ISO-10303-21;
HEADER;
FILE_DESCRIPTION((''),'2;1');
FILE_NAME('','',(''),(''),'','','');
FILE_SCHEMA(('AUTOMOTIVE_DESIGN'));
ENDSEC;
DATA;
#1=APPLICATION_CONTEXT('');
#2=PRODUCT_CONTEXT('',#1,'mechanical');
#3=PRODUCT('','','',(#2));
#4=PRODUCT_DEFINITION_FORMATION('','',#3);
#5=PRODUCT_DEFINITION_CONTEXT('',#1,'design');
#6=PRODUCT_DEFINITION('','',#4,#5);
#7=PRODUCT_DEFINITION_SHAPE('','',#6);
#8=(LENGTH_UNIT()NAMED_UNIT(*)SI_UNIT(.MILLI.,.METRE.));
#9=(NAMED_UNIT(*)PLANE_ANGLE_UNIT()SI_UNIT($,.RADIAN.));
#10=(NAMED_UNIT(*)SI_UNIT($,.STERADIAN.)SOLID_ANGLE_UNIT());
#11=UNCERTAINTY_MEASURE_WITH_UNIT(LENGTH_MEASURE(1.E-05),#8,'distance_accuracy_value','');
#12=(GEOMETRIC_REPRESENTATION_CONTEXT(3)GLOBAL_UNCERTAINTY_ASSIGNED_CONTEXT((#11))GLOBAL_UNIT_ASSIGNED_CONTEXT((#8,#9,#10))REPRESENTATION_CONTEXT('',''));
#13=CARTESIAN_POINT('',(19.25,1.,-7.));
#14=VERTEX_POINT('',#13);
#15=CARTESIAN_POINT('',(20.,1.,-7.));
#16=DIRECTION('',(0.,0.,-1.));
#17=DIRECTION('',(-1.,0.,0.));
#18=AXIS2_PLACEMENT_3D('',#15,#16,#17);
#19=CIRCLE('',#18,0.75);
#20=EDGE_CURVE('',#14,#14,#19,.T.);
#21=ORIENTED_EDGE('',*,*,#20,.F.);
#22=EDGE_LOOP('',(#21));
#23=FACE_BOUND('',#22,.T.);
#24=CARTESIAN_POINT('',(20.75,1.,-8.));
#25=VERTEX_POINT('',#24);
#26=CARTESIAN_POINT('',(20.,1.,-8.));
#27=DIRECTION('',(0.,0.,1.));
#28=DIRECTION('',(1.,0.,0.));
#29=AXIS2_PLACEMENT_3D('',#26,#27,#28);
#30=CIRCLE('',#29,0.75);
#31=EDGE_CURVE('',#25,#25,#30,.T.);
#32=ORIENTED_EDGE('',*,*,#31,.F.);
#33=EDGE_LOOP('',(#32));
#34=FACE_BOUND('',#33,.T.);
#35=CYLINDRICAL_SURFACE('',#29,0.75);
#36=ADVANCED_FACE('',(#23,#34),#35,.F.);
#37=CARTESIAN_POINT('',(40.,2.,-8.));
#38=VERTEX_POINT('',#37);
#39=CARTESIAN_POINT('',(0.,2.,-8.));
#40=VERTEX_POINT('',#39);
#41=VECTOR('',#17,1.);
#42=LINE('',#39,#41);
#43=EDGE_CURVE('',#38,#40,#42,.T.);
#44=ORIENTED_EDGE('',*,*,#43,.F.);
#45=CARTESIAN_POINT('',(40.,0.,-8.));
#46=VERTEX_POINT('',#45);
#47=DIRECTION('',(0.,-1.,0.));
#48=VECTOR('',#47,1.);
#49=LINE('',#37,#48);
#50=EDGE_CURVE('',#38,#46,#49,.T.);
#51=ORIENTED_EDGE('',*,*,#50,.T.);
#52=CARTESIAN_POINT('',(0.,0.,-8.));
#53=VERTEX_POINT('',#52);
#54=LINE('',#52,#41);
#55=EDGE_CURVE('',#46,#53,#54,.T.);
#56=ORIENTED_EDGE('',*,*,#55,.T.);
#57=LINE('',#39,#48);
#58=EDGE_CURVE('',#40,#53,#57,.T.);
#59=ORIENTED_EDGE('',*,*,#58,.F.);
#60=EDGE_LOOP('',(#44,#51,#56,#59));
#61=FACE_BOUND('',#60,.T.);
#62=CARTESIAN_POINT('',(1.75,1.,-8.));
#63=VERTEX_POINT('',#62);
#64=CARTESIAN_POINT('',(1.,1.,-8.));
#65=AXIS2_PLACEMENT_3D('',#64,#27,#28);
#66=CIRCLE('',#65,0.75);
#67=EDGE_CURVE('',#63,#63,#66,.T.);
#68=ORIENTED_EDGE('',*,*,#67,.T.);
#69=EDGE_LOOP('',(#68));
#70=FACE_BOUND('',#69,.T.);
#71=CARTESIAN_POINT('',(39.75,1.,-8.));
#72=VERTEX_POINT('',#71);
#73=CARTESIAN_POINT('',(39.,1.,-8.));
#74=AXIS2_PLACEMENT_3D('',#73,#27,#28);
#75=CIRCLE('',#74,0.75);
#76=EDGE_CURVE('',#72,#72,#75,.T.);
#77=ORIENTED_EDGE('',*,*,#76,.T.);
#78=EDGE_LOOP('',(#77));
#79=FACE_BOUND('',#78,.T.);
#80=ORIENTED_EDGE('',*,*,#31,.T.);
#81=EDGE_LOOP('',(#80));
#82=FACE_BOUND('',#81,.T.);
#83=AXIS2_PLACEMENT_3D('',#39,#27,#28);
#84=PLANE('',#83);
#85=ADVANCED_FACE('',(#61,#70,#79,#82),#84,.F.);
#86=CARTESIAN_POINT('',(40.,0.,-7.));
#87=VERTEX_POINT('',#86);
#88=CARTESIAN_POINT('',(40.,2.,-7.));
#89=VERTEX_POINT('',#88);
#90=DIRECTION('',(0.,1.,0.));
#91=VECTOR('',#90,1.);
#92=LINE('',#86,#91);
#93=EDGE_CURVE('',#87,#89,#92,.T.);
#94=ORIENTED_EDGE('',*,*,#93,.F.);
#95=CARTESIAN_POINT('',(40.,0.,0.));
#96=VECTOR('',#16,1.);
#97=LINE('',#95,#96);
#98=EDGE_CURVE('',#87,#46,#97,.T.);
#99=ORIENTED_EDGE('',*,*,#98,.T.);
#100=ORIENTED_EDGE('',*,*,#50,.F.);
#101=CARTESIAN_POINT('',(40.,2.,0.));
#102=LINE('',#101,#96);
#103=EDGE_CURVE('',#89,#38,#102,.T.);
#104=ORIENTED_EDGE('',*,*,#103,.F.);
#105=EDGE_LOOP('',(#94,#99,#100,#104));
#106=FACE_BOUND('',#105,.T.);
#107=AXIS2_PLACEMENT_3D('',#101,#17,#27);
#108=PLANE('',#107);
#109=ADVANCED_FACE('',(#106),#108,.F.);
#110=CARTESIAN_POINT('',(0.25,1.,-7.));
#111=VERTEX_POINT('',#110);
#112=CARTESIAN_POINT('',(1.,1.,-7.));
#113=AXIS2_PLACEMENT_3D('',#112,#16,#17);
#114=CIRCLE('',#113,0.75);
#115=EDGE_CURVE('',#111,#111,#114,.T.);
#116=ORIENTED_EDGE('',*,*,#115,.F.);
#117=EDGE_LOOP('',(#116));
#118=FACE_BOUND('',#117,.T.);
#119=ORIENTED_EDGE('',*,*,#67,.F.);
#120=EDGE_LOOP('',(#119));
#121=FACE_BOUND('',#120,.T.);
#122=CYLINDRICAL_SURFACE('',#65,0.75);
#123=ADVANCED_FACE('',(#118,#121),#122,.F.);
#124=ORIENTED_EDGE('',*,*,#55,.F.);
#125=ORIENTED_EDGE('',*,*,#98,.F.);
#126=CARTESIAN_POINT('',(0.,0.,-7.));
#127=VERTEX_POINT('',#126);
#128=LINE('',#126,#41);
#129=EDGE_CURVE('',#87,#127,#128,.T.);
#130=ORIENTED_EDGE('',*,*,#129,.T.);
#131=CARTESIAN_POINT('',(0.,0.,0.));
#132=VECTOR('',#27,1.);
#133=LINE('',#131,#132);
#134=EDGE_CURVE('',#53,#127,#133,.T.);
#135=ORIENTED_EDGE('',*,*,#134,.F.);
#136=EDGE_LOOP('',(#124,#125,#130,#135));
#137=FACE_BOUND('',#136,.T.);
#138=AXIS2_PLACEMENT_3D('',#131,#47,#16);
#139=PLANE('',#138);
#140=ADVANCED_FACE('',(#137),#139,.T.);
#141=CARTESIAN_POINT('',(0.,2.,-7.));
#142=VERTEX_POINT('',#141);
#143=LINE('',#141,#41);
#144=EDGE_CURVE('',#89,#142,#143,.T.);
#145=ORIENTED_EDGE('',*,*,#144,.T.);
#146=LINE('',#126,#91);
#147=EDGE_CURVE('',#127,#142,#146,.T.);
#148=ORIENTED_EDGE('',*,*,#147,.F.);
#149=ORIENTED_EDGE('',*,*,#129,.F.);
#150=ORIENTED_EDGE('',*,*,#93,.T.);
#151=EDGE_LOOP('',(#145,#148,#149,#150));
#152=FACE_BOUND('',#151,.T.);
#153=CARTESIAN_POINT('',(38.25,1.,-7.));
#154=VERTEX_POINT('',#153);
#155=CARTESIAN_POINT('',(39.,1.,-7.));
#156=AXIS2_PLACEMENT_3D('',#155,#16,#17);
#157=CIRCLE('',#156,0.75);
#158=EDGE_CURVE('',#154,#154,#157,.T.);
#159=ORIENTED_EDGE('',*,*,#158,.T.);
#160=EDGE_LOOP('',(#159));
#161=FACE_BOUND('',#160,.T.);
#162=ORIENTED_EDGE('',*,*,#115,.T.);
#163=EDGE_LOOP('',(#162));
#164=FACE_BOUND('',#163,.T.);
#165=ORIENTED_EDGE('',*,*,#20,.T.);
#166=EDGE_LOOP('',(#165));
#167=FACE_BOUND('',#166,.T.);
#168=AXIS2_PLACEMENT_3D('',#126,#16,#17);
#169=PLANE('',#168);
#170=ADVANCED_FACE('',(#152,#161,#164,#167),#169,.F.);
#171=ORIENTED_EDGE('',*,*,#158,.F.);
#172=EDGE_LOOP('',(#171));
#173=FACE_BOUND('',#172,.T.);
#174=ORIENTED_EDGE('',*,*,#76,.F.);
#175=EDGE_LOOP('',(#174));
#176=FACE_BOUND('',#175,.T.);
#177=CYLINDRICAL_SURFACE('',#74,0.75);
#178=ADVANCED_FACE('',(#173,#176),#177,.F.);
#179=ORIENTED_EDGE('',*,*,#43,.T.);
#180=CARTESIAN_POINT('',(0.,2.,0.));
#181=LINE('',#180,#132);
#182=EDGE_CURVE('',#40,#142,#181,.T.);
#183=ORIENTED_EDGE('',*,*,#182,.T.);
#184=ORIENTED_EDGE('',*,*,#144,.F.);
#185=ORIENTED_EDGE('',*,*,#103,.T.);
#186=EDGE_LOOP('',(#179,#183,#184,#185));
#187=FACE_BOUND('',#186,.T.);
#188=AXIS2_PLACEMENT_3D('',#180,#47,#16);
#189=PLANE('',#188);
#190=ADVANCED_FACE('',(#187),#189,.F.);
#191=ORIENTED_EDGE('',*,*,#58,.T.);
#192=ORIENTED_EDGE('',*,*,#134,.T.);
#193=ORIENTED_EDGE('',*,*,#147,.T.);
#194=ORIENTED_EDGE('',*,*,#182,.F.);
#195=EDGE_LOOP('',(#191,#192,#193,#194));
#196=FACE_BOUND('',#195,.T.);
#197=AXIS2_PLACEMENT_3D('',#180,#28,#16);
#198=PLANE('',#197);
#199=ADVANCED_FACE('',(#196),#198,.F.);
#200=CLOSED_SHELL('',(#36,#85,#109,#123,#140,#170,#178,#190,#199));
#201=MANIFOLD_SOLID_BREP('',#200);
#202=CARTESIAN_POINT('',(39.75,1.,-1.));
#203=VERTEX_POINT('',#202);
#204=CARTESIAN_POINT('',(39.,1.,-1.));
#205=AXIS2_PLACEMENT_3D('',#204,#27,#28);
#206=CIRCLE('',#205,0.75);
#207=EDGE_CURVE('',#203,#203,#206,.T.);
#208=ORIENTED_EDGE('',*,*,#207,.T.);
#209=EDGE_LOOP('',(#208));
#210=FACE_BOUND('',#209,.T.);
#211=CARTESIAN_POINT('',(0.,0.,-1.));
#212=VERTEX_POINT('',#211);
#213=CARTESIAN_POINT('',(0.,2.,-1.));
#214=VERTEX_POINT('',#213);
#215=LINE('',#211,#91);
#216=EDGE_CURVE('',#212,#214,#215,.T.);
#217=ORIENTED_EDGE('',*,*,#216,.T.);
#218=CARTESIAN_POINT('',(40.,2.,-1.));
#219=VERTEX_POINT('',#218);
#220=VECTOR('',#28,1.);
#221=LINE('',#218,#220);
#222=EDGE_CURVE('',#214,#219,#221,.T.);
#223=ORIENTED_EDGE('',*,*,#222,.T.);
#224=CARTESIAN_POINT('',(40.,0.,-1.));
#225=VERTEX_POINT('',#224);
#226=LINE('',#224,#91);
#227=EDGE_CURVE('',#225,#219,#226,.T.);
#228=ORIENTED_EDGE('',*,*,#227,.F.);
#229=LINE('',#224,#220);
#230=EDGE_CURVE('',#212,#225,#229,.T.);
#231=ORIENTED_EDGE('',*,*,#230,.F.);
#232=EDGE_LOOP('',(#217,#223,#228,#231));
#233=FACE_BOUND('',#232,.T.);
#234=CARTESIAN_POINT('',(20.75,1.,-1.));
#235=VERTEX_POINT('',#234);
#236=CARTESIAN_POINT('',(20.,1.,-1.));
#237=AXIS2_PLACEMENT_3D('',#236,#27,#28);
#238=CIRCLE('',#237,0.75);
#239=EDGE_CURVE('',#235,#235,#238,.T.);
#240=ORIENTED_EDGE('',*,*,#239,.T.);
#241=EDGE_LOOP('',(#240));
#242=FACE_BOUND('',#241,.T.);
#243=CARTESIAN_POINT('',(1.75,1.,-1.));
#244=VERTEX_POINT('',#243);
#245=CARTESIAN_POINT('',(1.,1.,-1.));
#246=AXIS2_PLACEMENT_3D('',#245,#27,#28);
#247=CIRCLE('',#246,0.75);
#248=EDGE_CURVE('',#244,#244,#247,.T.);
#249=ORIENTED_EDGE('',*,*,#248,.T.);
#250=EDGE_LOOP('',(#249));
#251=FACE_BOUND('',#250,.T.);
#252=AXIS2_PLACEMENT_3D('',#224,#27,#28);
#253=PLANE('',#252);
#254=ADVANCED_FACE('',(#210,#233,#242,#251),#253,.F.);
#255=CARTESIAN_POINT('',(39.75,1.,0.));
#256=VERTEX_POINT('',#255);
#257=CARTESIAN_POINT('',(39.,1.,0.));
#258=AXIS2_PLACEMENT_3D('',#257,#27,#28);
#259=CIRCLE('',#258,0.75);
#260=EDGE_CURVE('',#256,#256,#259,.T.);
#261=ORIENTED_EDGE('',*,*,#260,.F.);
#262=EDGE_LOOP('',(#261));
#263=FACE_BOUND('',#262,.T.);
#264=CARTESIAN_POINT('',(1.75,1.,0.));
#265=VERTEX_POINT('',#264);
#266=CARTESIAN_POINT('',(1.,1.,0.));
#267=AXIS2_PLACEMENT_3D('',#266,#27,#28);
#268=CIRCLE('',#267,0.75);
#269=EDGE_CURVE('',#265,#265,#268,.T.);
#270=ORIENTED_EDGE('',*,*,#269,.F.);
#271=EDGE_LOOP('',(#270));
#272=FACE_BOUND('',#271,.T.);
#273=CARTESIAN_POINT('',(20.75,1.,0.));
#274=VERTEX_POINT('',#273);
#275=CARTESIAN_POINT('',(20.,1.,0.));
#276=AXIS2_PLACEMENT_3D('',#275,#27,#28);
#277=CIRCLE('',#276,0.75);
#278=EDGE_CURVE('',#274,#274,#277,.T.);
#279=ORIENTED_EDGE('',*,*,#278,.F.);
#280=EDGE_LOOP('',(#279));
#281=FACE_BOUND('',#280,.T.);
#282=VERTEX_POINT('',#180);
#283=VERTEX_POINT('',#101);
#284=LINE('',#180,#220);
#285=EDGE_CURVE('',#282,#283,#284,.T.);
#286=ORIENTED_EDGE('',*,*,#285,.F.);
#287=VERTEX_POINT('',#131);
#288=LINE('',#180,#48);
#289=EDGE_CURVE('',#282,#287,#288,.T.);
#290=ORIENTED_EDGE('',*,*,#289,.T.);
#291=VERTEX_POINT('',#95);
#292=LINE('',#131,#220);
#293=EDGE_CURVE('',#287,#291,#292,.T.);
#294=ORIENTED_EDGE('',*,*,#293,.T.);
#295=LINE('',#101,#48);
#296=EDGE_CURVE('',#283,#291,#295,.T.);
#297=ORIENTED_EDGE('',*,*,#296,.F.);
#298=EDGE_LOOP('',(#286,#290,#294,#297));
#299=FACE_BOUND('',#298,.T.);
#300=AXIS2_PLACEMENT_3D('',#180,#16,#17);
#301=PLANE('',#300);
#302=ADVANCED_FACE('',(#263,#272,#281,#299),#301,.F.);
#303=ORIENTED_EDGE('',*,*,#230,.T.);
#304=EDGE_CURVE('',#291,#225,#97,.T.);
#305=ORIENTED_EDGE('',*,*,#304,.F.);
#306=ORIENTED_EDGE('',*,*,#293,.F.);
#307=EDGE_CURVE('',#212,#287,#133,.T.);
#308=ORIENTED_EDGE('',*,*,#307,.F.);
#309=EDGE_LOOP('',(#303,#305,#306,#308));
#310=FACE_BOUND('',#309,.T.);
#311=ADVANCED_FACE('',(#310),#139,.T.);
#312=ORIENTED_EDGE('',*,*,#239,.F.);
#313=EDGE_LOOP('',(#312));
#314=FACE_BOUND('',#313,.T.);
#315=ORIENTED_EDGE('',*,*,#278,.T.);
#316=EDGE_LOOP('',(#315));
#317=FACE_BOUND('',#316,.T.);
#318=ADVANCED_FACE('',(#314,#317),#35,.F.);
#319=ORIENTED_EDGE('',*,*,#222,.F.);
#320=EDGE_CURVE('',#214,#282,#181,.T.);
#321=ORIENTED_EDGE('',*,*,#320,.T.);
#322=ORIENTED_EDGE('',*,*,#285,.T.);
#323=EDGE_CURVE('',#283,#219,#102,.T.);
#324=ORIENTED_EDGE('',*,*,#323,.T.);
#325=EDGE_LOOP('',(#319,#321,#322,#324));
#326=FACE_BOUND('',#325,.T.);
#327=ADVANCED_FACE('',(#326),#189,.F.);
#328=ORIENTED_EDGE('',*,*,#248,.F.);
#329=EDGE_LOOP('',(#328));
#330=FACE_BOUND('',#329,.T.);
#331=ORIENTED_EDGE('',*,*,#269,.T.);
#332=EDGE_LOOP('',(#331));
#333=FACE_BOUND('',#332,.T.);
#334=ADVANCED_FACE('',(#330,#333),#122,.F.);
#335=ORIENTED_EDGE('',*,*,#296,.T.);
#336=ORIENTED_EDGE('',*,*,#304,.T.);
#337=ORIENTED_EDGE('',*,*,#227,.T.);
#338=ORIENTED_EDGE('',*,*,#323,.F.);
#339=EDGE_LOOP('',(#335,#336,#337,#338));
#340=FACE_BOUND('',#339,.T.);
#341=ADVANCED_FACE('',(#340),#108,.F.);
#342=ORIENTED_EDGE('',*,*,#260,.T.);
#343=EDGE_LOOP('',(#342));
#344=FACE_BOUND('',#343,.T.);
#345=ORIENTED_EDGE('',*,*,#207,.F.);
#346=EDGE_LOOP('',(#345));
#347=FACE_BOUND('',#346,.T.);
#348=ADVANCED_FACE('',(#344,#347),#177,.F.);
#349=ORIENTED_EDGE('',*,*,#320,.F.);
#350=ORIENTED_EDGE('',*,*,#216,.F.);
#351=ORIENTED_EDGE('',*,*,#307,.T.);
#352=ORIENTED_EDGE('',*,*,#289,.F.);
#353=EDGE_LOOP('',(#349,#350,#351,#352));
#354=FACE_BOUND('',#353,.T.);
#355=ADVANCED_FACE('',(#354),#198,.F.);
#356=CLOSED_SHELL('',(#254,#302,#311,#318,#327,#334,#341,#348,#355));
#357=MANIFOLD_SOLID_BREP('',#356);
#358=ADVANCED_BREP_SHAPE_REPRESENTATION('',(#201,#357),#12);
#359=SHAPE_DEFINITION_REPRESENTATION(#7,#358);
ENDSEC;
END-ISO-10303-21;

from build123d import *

# Parameters (mm, degrees)
SKETCH1_W           = 40
SKETCH1_H           = 8
BOSS_EXTRUDE1_DEPTH = 2
SKETCH2_W           = 40
SKETCH2_H           = 6
CUT_EXTRUDE1_DEPTH  = 2
SKETCH3_R           = 0.75
CUT_EXTRUDE2_DEPTH  = 41.841155713


with BuildPart() as part:
    # Sketch1 → Boss-Extrude1 (new body)
    with BuildSketch(Plane(origin=(0, 0, 0), x_dir=(1, 0, 0), z_dir=(0, 1, 0))):
        with Locations((20, 4)):
            Rectangle(SKETCH1_W, SKETCH1_H)
    extrude(amount=BOSS_EXTRUDE1_DEPTH)

    # Sketch2 → Cut-Extrude1 (cut)
    with BuildSketch(Plane(origin=(0, 2, 0), x_dir=(1, 0, 0), z_dir=(0, 1, 0))):
        with Locations((20, 4)):
            Rectangle(SKETCH2_W, SKETCH2_H)
    extrude(amount=-CUT_EXTRUDE1_DEPTH, mode=Mode.SUBTRACT)


with BuildPart() as cut_extrude1_piece_1:
    # of the separate pieces the step leaves, piece 1, a body of its own (cut_extrude1_pieces)
    add(part.part.solids().sort_by_distance((0, 0, -8))[0])


with BuildPart() as cut_extrude1_piece_2:
    # of the separate pieces the step leaves, piece 2, a body of its own (cut_extrude1_pieces)
    add(part.part.solids().sort_by_distance((0, 0, 0))[0])


with BuildPart() as cut_extrude2_tool:
    # Sketch3 → Cut-Extrude2 (new, through all)
    with BuildSketch(Plane.XY):
        with Locations((20, 1)):
            Circle(SKETCH3_R)
        with Locations((1, 1)):
            Circle(SKETCH3_R)
        with Locations((39, 1)):
            Circle(SKETCH3_R)
    extrude(amount=-CUT_EXTRUDE2_DEPTH)


with BuildPart() as cut_extrude1_piece_1_1:
    add(cut_extrude1_piece_1.part)

    # Cut-Extrude2: cut by cut_extrude2_tool
    add(cut_extrude2_tool.part, mode=Mode.SUBTRACT)


with BuildPart() as cut_extrude1_piece_2_1:
    add(cut_extrude1_piece_2.part)

    # Cut-Extrude2: cut by cut_extrude2_tool
    add(cut_extrude2_tool.part, mode=Mode.SUBTRACT)


solid = Compound([cut_extrude1_piece_1_1.part, cut_extrude1_piece_2_1.part])
